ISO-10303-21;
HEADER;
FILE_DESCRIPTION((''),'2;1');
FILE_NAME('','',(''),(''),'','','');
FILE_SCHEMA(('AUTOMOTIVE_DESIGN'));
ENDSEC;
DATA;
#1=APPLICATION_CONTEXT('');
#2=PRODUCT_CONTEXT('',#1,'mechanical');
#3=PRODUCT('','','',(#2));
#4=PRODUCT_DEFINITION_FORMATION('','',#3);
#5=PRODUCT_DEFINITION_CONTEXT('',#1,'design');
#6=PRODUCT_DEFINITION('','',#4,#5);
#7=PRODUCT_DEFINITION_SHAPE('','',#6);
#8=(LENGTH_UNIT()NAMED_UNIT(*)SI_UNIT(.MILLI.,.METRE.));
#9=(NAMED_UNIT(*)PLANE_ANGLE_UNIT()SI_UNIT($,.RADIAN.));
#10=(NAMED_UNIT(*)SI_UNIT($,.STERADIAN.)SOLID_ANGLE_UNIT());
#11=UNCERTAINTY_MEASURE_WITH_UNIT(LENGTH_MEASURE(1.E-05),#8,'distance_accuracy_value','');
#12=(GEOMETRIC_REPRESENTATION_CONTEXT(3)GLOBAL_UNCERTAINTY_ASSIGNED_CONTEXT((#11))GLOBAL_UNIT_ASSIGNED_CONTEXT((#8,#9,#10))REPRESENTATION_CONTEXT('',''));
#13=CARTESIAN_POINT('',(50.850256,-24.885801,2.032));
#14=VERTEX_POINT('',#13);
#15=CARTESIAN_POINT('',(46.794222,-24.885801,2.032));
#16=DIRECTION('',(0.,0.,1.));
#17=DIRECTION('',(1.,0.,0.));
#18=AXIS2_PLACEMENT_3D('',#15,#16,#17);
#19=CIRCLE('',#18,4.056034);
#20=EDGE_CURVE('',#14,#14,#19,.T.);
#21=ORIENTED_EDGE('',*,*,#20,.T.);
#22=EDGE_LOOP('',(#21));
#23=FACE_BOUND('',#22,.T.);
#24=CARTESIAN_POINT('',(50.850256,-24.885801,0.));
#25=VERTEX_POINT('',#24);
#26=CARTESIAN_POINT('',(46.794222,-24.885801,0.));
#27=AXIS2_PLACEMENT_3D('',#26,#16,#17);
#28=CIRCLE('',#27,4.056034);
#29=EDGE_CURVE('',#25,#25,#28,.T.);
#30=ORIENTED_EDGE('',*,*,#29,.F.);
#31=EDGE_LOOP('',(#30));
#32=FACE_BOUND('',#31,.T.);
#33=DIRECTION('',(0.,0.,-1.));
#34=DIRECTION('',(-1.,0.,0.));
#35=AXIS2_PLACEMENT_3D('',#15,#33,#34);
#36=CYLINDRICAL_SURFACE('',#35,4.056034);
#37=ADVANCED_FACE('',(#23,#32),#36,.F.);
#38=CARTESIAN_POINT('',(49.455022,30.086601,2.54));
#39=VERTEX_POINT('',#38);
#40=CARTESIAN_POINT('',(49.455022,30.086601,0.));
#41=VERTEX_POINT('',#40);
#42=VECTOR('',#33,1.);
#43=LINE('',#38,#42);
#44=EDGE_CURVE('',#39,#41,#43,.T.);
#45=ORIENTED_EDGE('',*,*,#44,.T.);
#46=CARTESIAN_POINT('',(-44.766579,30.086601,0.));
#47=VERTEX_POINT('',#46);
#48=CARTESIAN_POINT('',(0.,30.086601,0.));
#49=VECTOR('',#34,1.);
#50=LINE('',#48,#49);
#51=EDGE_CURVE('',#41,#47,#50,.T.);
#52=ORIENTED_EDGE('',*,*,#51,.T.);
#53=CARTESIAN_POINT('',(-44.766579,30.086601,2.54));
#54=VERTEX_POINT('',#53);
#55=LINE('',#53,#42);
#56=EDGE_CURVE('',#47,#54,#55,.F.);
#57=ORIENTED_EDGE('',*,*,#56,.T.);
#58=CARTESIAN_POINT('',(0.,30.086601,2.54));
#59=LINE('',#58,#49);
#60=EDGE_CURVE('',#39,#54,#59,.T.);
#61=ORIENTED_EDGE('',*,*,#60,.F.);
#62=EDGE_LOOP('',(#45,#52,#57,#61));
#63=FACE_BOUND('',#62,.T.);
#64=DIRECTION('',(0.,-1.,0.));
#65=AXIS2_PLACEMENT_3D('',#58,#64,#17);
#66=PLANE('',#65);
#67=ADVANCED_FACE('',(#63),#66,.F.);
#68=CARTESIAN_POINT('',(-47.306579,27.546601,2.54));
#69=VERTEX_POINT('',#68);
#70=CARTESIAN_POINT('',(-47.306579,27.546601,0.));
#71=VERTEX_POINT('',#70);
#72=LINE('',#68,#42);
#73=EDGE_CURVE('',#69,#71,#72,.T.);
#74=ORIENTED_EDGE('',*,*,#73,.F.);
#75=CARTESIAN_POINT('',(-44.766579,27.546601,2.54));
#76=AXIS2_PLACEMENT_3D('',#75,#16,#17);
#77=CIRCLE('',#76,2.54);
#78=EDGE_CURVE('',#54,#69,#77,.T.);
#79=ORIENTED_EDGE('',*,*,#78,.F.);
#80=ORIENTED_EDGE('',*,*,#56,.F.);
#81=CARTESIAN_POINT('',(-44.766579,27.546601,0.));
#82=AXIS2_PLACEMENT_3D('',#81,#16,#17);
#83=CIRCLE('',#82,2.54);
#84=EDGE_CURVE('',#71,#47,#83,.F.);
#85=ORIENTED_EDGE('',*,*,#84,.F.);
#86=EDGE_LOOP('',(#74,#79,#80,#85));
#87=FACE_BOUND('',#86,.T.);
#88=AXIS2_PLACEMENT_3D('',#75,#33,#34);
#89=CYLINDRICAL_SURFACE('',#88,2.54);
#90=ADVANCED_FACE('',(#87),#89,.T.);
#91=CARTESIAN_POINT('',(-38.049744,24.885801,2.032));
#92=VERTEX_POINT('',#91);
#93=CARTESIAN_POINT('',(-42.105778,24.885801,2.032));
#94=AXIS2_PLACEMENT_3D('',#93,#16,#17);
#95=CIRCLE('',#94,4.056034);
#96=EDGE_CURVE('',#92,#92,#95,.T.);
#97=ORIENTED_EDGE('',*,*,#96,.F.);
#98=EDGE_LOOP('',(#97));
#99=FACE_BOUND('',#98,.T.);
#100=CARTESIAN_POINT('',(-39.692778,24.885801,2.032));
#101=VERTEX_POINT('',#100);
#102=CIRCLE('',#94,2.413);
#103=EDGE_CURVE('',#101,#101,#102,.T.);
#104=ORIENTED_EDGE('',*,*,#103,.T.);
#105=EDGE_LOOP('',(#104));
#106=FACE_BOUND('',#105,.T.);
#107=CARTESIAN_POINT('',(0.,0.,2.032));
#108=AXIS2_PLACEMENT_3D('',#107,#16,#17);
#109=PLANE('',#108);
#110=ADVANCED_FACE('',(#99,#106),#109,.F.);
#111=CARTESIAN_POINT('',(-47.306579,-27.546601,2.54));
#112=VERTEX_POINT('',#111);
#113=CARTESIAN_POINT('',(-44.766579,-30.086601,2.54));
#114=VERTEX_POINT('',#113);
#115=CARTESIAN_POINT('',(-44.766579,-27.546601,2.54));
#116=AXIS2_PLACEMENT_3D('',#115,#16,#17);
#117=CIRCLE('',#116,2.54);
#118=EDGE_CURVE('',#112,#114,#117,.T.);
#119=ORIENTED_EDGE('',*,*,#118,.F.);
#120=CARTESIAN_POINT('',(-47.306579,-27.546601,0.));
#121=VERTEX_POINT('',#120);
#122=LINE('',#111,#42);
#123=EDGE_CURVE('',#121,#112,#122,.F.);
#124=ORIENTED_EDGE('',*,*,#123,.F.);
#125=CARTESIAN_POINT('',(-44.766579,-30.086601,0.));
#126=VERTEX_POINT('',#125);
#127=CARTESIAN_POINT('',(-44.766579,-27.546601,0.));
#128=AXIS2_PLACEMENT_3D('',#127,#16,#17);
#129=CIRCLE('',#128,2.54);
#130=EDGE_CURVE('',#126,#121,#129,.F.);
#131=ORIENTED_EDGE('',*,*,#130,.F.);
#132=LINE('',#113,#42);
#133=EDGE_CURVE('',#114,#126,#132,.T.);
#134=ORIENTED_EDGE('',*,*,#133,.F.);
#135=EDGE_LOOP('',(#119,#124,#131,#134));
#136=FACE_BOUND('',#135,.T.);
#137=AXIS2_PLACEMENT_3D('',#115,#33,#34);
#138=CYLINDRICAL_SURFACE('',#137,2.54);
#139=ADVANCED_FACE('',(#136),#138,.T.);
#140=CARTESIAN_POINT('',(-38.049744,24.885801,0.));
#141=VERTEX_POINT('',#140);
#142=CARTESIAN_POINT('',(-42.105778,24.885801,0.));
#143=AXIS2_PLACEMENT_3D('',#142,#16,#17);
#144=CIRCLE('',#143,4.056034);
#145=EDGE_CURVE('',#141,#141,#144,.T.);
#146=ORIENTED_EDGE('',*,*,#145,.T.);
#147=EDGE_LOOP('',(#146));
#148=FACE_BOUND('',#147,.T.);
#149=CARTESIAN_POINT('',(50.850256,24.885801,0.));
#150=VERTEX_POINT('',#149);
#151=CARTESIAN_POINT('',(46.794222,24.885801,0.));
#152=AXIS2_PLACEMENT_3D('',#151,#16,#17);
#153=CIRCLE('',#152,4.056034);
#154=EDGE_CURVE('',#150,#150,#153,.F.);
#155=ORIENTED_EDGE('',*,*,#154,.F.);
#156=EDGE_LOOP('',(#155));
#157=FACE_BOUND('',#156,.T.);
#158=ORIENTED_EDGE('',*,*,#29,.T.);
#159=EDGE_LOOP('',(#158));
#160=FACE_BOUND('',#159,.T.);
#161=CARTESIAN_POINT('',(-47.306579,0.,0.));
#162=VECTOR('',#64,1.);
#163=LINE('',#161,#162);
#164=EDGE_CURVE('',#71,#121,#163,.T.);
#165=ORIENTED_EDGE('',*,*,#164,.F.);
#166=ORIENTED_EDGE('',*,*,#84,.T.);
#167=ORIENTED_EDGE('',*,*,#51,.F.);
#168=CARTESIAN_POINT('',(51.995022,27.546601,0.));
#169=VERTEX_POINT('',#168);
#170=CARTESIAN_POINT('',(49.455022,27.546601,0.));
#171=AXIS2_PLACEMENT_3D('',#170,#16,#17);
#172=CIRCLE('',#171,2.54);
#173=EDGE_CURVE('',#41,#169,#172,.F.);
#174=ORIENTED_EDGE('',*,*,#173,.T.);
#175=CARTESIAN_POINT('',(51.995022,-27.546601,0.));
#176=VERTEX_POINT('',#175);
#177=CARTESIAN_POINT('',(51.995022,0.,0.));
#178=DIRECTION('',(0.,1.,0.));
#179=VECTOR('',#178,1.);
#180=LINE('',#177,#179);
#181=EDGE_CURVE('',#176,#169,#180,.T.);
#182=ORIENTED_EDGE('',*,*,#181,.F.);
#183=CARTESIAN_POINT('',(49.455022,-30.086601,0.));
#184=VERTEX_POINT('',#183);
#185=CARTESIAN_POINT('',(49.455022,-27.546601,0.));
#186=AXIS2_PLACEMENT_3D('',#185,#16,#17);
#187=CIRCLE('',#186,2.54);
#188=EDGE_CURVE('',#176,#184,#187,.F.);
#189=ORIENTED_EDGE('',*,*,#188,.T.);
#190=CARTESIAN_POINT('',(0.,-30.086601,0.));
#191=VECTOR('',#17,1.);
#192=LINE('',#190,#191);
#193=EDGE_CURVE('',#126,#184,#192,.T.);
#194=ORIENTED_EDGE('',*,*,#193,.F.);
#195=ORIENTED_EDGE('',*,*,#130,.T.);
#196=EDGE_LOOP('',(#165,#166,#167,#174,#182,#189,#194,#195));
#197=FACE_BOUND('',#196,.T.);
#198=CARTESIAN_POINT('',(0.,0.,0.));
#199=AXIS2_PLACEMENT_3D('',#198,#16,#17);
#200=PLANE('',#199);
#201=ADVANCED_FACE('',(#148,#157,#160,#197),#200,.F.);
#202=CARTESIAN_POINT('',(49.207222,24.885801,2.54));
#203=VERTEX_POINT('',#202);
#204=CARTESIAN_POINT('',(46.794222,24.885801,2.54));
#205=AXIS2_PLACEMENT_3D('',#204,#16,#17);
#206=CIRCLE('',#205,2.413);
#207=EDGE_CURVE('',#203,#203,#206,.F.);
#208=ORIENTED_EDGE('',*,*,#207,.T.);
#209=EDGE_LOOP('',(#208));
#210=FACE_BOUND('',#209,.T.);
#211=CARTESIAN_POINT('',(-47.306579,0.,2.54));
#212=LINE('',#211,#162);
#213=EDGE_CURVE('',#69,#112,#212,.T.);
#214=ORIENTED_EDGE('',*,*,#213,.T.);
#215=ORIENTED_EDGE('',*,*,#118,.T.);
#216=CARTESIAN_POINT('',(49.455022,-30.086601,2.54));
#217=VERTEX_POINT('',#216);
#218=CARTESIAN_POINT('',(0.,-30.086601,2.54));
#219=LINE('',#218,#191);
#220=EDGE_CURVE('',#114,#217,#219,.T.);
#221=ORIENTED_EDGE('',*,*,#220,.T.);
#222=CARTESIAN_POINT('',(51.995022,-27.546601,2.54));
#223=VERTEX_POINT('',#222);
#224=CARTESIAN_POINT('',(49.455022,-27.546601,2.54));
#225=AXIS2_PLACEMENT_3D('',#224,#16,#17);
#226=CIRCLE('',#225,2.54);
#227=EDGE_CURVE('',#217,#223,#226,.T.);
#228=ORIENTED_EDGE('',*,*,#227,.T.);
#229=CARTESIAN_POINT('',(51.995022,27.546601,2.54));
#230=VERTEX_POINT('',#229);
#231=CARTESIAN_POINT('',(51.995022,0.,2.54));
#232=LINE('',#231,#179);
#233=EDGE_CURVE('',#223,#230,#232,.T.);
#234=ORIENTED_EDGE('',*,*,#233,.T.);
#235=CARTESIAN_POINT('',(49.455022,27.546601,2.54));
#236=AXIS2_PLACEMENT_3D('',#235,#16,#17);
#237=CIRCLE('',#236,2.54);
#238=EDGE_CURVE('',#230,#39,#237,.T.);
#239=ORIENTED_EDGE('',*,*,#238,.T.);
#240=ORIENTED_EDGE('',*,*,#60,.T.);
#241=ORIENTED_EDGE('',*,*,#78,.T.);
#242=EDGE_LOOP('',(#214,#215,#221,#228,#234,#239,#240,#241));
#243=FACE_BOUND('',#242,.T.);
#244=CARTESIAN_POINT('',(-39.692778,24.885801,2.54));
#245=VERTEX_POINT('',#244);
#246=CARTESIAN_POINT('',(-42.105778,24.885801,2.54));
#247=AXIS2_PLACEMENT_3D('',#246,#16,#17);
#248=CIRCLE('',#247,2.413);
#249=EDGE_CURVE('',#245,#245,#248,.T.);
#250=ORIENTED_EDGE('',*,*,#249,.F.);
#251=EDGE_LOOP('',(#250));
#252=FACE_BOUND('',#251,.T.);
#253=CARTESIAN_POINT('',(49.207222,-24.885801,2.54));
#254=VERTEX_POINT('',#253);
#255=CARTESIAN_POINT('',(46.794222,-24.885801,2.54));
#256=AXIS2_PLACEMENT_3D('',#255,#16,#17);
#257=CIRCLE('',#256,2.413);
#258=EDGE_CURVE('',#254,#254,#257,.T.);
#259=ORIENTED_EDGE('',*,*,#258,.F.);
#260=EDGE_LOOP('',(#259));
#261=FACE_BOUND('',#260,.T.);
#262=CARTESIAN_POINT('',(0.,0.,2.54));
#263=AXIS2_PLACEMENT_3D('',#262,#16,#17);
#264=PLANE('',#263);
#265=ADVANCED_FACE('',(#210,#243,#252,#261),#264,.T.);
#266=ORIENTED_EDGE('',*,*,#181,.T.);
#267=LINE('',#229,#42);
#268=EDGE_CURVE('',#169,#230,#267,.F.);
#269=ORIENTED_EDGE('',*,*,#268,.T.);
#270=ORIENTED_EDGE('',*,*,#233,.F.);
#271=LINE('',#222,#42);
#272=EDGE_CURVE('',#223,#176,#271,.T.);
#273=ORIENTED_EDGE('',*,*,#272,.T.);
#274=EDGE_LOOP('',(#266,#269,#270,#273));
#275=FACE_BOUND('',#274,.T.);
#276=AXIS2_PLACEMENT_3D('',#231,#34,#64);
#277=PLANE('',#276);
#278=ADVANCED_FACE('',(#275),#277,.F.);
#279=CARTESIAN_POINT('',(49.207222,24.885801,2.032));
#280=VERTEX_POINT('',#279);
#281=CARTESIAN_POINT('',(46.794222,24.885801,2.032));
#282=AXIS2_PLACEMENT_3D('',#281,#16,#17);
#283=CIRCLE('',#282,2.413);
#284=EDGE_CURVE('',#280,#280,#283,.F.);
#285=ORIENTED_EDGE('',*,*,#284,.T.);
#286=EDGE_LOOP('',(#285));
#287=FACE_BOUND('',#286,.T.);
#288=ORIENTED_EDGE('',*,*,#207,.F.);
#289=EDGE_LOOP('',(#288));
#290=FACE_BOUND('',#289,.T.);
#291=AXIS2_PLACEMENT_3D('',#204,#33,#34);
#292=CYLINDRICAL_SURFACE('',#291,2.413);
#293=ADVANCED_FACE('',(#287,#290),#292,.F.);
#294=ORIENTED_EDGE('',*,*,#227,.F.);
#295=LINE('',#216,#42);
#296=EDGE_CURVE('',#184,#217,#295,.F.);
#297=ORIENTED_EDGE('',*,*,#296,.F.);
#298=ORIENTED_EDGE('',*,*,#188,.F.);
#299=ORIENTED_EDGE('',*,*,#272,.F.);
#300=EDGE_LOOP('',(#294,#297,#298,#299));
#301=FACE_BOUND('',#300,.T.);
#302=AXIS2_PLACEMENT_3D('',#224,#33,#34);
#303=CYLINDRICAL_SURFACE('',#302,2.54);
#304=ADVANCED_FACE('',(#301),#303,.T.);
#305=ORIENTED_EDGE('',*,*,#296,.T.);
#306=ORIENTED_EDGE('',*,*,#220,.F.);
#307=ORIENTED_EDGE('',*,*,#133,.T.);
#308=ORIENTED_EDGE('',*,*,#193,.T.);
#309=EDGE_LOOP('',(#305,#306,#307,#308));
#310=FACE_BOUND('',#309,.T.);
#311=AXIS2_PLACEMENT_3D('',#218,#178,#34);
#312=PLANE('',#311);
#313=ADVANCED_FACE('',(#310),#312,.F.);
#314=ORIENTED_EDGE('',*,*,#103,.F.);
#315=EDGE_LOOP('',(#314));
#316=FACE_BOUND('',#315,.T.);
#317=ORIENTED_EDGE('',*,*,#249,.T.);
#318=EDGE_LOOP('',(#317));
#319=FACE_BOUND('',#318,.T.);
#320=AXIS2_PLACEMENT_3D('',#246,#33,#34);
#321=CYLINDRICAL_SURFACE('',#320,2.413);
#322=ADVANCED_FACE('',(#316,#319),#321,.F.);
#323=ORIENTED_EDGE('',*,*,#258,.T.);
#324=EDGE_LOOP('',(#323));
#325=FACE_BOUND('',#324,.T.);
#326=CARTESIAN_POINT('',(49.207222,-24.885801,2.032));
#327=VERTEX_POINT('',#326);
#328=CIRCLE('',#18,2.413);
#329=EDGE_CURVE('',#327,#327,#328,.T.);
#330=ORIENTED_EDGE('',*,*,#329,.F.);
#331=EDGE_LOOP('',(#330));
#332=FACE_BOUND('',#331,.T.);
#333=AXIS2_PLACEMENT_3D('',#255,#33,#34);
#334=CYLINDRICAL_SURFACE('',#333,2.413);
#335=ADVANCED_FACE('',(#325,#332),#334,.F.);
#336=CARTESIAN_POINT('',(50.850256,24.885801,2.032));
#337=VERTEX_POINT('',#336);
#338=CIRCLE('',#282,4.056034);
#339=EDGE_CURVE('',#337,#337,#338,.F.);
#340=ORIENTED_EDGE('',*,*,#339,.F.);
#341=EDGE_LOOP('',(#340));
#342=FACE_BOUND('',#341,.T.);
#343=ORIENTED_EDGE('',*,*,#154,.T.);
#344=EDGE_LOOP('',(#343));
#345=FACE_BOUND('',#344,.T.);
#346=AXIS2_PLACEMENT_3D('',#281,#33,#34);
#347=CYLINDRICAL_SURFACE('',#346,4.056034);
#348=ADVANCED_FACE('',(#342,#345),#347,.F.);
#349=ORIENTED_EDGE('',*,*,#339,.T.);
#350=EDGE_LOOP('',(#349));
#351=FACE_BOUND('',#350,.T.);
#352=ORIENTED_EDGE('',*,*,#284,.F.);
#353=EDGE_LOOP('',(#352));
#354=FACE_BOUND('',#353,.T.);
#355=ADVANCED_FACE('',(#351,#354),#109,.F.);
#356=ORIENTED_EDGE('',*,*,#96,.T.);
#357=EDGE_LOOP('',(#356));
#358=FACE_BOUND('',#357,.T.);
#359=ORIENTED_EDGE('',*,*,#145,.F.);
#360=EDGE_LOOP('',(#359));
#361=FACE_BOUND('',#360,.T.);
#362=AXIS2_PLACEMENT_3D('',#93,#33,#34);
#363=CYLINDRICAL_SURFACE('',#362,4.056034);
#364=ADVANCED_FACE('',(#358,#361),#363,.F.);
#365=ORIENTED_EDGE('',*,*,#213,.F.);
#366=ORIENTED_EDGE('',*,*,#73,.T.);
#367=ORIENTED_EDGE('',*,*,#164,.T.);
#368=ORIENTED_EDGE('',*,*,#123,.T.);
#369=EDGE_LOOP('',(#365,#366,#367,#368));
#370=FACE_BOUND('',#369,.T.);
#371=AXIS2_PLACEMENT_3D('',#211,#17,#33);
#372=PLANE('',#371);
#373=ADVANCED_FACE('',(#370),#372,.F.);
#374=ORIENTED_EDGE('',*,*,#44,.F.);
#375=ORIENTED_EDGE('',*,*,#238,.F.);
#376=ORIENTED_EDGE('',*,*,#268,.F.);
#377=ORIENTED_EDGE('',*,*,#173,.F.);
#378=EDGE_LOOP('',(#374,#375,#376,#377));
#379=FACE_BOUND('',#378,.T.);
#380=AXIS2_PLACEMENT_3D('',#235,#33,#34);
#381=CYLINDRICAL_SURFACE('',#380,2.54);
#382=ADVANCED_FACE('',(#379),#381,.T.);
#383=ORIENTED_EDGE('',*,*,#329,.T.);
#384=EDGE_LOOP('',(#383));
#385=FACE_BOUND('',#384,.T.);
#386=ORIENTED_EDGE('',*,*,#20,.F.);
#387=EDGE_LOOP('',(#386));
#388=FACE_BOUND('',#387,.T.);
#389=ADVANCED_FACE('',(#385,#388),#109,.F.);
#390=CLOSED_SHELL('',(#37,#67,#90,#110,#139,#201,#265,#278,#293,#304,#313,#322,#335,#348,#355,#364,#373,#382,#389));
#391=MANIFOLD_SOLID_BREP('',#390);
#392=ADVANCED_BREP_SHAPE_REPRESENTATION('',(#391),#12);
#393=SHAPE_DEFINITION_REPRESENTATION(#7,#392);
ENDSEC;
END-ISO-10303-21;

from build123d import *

# Parameters (mm, degrees)
SKETCH1_W           = 99.30160125
SKETCH1_H           = 60.173202502
SKETCH1_R           = 2.413
BOSS_EXTRUDE1_DEPTH = 2.54
SKETCH1_3_R         = 2.413
CUT_EXTRUDE1_DEPTH  = 2.54
SKETCH1_4_R         = 4.056034091
SKETCH1_4_R_2       = 2.413
CUT_EXTRUDE2_DEPTH  = 2.032
FILLET1_R           = 2.54


with BuildPart() as part:
    # Sketch1 → Boss-Extrude1 (new body)
    with BuildSketch(Plane.XY):
        with Locations((2.344221604, 0)):
            Rectangle(SKETCH1_W, SKETCH1_H)
        with Locations((46.794221604, -24.885800625)):
            Circle(SKETCH1_R, mode=Mode.SUBTRACT)
    extrude(amount=BOSS_EXTRUDE1_DEPTH)

    # Sketch1<3> → Cut-Extrude1 (cut)
    with BuildSketch(Plane.XY):
        with Locations((-42.105778396, 24.885800625)):
            Circle(SKETCH1_3_R)
        with Locations((46.794221604, 24.885800625)):
            Circle(SKETCH1_3_R)
        with Locations((46.794221604, -24.885800625)):
            Circle(SKETCH1_3_R)
    extrude(amount=CUT_EXTRUDE1_DEPTH, mode=Mode.SUBTRACT)

    # Sketch1<4> → Cut-Extrude2 (cut)
    # profile 1 of 3: a face of its own
    with BuildSketch(Plane.XY):
        with Locations((-42.105778396, 24.885800625)):
            Circle(SKETCH1_4_R)
        with Locations((-42.105778396, 24.885800625)):
            Circle(SKETCH1_4_R_2, mode=Mode.SUBTRACT)
    # profile 2 of 3: a face of its own
    with BuildSketch(Plane.XY):
        with Locations((46.794221604, 24.885800625)):
            Circle(SKETCH1_4_R)
        with Locations((46.794221604, 24.885800625)):
            Circle(SKETCH1_4_R_2, mode=Mode.SUBTRACT)
    # profile 3 of 3: a face of its own
    with BuildSketch(Plane.XY):
        with Locations((46.794221604, -24.885800625)):
            Circle(SKETCH1_4_R)
        with Locations((46.794221604, -24.885800625)):
            Circle(SKETCH1_4_R_2, mode=Mode.SUBTRACT)
    extrude(amount=CUT_EXTRUDE2_DEPTH, mode=Mode.SUBTRACT)

    # Fillet1
    fillet1_edges = [part.edges().sort_by_distance(p)[0] for p in [
        (-47.306579021, 30.086601251, 1.27),
        (-47.306579021, -30.086601251, 1.27),
        (51.995022229, -30.086601251, 1.27),
        (51.995022229, 30.086601251, 1.27),
    ]]
    fillet(fillet1_edges, radius=FILLET1_R)


solid = part.part
